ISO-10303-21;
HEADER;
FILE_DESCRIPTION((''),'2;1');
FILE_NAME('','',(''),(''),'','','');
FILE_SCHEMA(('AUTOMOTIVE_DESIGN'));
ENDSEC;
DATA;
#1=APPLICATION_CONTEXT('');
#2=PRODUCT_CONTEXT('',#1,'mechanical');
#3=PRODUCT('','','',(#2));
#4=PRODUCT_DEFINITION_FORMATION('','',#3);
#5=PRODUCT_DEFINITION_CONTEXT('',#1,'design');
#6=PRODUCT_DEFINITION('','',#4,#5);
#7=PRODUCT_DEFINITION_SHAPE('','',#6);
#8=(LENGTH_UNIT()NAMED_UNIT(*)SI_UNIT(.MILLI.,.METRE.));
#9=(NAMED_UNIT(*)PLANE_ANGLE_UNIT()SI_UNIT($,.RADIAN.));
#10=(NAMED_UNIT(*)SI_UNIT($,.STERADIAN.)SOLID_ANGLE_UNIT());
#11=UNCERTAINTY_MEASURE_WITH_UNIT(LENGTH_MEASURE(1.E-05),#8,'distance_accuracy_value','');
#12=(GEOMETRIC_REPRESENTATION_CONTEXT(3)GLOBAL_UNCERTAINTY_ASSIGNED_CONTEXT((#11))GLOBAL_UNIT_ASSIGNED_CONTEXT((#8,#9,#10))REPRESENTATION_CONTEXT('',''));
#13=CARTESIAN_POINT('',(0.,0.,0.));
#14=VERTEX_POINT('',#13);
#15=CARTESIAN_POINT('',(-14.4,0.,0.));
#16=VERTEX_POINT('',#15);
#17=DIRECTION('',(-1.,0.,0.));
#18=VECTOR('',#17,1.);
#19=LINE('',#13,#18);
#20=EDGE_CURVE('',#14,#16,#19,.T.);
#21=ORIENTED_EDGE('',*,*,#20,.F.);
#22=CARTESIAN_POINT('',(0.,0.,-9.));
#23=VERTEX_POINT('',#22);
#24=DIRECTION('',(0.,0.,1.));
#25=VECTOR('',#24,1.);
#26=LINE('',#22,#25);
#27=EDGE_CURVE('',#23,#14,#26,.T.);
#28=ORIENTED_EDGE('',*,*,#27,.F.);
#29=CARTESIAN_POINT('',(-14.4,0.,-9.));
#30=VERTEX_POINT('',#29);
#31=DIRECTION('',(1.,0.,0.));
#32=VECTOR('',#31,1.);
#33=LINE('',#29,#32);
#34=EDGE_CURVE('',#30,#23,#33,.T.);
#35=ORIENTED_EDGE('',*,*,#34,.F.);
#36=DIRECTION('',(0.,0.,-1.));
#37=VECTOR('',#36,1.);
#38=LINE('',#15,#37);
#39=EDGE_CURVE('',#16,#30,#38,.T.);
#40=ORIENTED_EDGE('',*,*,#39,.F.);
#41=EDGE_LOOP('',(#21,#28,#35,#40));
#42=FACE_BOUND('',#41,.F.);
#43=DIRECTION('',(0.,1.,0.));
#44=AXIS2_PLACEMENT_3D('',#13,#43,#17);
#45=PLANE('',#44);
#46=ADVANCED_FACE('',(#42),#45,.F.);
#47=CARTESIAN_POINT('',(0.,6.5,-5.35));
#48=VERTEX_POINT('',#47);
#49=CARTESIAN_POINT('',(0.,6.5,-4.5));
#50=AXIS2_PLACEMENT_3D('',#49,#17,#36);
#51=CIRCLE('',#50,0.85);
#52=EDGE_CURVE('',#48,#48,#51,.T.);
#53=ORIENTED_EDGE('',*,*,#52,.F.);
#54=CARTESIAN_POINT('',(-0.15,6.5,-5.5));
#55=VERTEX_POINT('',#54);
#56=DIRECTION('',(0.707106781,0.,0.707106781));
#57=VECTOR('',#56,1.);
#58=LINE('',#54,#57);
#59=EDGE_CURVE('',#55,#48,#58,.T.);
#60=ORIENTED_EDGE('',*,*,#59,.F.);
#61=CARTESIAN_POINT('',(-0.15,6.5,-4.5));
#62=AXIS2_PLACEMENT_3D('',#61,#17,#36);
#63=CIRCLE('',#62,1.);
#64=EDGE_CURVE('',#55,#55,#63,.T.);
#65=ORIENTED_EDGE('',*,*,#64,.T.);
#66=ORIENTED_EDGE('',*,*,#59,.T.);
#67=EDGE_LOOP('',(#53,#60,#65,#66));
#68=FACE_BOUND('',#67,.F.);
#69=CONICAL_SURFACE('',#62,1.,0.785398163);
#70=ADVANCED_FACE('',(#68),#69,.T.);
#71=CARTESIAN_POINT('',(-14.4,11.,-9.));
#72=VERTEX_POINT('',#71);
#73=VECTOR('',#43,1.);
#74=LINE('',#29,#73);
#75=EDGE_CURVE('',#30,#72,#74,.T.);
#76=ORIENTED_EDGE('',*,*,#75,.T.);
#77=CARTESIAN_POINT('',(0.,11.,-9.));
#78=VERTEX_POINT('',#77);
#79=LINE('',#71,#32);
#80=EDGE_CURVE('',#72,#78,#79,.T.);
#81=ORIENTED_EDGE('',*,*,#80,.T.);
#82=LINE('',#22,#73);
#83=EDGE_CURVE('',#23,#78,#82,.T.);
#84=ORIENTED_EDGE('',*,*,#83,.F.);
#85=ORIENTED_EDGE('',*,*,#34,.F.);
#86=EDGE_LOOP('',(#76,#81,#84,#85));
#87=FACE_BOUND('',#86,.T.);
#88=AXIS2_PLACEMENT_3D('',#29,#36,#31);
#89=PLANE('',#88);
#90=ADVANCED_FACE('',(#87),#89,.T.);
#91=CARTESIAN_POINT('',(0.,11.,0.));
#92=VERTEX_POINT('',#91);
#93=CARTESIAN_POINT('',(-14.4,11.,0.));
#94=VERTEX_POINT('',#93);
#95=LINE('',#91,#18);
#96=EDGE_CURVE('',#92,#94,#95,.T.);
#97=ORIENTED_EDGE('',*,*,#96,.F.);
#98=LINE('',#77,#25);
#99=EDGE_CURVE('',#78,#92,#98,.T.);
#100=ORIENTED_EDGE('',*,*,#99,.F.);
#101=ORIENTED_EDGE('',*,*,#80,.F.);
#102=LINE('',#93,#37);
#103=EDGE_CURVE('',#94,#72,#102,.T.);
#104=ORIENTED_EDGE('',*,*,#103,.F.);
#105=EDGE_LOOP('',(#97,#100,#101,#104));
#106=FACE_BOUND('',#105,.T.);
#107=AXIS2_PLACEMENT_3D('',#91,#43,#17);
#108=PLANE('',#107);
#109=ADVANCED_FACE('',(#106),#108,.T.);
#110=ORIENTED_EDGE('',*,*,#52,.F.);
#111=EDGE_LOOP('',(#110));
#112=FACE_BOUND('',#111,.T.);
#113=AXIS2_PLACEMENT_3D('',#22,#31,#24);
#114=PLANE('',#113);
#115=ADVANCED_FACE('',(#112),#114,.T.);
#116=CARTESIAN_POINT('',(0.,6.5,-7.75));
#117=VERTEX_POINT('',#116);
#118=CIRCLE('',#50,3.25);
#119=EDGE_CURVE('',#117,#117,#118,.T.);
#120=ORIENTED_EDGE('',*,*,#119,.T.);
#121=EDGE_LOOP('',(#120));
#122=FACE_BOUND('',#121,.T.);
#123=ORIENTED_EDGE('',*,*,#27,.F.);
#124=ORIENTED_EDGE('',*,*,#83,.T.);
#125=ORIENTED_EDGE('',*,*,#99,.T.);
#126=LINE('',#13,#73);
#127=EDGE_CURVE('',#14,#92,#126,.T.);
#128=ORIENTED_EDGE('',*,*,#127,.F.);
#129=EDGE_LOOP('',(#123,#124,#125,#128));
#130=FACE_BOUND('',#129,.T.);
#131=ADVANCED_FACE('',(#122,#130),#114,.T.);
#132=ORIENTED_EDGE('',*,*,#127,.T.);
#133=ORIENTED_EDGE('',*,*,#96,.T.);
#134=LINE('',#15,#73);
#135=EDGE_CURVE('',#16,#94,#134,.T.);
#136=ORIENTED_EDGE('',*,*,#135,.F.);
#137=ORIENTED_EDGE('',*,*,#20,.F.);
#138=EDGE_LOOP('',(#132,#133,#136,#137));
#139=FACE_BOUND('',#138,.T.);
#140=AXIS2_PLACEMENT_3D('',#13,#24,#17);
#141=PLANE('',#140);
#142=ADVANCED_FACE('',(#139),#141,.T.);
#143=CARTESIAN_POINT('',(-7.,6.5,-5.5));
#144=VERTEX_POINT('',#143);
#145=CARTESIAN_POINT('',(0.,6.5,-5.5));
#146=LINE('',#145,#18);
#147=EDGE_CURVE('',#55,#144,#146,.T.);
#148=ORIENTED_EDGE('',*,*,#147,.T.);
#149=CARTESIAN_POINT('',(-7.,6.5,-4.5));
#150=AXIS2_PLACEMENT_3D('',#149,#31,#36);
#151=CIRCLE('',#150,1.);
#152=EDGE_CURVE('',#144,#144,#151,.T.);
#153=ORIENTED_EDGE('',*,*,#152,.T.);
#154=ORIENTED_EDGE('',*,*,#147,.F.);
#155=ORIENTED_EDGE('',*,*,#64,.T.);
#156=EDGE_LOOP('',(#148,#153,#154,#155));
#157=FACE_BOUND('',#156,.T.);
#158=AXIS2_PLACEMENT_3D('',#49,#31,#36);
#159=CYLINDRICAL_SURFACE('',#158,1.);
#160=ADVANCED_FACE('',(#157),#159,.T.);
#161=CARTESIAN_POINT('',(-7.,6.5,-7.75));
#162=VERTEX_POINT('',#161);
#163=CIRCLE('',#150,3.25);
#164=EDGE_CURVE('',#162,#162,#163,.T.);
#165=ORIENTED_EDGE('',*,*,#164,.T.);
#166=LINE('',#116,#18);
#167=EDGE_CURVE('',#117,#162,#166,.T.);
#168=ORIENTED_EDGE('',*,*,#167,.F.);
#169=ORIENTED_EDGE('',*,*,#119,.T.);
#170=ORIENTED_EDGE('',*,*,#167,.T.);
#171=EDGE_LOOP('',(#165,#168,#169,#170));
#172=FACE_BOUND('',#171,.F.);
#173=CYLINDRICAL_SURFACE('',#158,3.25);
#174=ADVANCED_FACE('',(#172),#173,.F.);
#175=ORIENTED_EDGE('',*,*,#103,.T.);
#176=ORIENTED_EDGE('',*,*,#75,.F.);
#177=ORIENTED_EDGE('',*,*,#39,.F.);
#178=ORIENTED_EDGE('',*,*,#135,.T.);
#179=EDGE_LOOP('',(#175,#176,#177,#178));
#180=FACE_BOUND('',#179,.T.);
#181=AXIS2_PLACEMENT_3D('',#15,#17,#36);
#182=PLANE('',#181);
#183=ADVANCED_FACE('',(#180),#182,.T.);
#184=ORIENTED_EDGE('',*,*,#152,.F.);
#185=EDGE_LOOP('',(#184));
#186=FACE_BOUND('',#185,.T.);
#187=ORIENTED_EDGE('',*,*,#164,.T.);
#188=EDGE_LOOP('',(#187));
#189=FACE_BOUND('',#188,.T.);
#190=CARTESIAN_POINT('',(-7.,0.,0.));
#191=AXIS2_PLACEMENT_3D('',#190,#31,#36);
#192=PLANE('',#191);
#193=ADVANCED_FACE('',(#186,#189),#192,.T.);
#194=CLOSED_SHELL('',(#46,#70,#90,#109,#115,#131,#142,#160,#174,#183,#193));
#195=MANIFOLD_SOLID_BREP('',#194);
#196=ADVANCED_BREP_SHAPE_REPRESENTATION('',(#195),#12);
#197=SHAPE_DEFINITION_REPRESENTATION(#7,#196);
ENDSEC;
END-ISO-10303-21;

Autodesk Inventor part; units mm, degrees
ref_plane "YZ Plane" through (0, 0, 0) normal (1, 0, 0) x (0, 1, 0)
ref_plane "XZ Plane" through (0, 0, 0) normal (0, 1, 0) x (-1, 0, 0)
ref_plane "XY Plane" through (0, 0, 0) normal (0, 0, 1) x (1, 0, 0)
sketch "Szkic1" plane through (0, 0, 0) normal (0, 1, 0) x (-1, 0, 0)
  line L0 (14.4, -9) -> (0, -9)
  line L1 (0, -9) -> (0, 0)
  line L2 (0, 0) -> (14.4, 0)
  line L3 (14.4, 0) -> (14.4, -9)
  dimension "d0" = 9
  dimension "d1" = 14.4
extrude "Wyciągnięcie proste1" add sketch "Szkic1" along normal blind 11
sketch "Szkic2" plane through (0, 0, 0) normal (1, 0, 0) x (0, 0, -1)
  line L0 (0, 11) -> (9, 11) projected
  line L1 (4.5, 11) -> (4.5, 0)
  line L2 (0, 0) -> (9, 0) projected
  circle A0 centre (4.5, 6.5) radius 1
  circle A1 centre (4.5, 6.5) radius 3.25
  dimension "d4" = 2
  dimension "d5" = 6.5
  dimension "d6" = 6.5
extrude "Wyciągnięcie proste2" cut sketch "Szkic2" against normal blind 7 contours A1 L1 A0 | L1 A0 A1
chamfer "Faza1" distance 0.15 angle 45 1 edges at (0, 6.5, -3.5)
equation "\"d0\" = input_a"
equation "\"d1\" = input_b"
equation "\"d2\" = input_wys"
equation "\"gniazdo_M2_glebokosc\" = 1.5"
equation "\"gniazdo_M2_D1\" = 4.5"
equation "\"gniazdo_M2_D2\" = 2.6"
equation "\"insert_D\" = 2.4"
equation "\"insert_glebokosc\" = 5.5"
equation "\"podstawa_b\" = 65"
equation "\"podstawa_wys\" = 2"
equation "\"podstawa_otwory_montazowe_poz_x\" = 4"
equation "\"podstawa_otwory_montazowe_poz_y\" = 4"
equation "\"podstawa_zaokraglenie\" = 3"
equation "\"obudowa_b\" = 65"
equation "\"obudowa_wys\" = 36"
equation "\"obudowa_grubosc\" = 2"
equation "\"obudowa_kontrolki_a\" = 38"
equation "\"obudowa_otwory_montazowe_poz_x\" = 4"
equation "\"obudowa_otwory_montazowe_poz_y\" = 4"
equation "\"obudowa_otwory_montazowe_material_x\" = 8"
equation "\"obudowa_otwory_montazowe_material_y\" = 8"
equation "\"obudowa_zaokraglenie\" = 3"
equation "\"obudowa_otwory_io1_D\" = 11.5"
equation "\"obudowa_otwory_io1_wys\" = 15"
equation "\"obudowa_otwory_io2_D\" = 11.5"
equation "\"obudowa_otwory_io2_wys\" = 15"
equation "\"obudowa_otwory_pot_D\" = 8"
equation "\"input_a\" = 9"
equation "\"input_b\" = 14.4"
equation "\"input_wys\" = 11"
properties part number "9V_input" material "Polipropylen"
